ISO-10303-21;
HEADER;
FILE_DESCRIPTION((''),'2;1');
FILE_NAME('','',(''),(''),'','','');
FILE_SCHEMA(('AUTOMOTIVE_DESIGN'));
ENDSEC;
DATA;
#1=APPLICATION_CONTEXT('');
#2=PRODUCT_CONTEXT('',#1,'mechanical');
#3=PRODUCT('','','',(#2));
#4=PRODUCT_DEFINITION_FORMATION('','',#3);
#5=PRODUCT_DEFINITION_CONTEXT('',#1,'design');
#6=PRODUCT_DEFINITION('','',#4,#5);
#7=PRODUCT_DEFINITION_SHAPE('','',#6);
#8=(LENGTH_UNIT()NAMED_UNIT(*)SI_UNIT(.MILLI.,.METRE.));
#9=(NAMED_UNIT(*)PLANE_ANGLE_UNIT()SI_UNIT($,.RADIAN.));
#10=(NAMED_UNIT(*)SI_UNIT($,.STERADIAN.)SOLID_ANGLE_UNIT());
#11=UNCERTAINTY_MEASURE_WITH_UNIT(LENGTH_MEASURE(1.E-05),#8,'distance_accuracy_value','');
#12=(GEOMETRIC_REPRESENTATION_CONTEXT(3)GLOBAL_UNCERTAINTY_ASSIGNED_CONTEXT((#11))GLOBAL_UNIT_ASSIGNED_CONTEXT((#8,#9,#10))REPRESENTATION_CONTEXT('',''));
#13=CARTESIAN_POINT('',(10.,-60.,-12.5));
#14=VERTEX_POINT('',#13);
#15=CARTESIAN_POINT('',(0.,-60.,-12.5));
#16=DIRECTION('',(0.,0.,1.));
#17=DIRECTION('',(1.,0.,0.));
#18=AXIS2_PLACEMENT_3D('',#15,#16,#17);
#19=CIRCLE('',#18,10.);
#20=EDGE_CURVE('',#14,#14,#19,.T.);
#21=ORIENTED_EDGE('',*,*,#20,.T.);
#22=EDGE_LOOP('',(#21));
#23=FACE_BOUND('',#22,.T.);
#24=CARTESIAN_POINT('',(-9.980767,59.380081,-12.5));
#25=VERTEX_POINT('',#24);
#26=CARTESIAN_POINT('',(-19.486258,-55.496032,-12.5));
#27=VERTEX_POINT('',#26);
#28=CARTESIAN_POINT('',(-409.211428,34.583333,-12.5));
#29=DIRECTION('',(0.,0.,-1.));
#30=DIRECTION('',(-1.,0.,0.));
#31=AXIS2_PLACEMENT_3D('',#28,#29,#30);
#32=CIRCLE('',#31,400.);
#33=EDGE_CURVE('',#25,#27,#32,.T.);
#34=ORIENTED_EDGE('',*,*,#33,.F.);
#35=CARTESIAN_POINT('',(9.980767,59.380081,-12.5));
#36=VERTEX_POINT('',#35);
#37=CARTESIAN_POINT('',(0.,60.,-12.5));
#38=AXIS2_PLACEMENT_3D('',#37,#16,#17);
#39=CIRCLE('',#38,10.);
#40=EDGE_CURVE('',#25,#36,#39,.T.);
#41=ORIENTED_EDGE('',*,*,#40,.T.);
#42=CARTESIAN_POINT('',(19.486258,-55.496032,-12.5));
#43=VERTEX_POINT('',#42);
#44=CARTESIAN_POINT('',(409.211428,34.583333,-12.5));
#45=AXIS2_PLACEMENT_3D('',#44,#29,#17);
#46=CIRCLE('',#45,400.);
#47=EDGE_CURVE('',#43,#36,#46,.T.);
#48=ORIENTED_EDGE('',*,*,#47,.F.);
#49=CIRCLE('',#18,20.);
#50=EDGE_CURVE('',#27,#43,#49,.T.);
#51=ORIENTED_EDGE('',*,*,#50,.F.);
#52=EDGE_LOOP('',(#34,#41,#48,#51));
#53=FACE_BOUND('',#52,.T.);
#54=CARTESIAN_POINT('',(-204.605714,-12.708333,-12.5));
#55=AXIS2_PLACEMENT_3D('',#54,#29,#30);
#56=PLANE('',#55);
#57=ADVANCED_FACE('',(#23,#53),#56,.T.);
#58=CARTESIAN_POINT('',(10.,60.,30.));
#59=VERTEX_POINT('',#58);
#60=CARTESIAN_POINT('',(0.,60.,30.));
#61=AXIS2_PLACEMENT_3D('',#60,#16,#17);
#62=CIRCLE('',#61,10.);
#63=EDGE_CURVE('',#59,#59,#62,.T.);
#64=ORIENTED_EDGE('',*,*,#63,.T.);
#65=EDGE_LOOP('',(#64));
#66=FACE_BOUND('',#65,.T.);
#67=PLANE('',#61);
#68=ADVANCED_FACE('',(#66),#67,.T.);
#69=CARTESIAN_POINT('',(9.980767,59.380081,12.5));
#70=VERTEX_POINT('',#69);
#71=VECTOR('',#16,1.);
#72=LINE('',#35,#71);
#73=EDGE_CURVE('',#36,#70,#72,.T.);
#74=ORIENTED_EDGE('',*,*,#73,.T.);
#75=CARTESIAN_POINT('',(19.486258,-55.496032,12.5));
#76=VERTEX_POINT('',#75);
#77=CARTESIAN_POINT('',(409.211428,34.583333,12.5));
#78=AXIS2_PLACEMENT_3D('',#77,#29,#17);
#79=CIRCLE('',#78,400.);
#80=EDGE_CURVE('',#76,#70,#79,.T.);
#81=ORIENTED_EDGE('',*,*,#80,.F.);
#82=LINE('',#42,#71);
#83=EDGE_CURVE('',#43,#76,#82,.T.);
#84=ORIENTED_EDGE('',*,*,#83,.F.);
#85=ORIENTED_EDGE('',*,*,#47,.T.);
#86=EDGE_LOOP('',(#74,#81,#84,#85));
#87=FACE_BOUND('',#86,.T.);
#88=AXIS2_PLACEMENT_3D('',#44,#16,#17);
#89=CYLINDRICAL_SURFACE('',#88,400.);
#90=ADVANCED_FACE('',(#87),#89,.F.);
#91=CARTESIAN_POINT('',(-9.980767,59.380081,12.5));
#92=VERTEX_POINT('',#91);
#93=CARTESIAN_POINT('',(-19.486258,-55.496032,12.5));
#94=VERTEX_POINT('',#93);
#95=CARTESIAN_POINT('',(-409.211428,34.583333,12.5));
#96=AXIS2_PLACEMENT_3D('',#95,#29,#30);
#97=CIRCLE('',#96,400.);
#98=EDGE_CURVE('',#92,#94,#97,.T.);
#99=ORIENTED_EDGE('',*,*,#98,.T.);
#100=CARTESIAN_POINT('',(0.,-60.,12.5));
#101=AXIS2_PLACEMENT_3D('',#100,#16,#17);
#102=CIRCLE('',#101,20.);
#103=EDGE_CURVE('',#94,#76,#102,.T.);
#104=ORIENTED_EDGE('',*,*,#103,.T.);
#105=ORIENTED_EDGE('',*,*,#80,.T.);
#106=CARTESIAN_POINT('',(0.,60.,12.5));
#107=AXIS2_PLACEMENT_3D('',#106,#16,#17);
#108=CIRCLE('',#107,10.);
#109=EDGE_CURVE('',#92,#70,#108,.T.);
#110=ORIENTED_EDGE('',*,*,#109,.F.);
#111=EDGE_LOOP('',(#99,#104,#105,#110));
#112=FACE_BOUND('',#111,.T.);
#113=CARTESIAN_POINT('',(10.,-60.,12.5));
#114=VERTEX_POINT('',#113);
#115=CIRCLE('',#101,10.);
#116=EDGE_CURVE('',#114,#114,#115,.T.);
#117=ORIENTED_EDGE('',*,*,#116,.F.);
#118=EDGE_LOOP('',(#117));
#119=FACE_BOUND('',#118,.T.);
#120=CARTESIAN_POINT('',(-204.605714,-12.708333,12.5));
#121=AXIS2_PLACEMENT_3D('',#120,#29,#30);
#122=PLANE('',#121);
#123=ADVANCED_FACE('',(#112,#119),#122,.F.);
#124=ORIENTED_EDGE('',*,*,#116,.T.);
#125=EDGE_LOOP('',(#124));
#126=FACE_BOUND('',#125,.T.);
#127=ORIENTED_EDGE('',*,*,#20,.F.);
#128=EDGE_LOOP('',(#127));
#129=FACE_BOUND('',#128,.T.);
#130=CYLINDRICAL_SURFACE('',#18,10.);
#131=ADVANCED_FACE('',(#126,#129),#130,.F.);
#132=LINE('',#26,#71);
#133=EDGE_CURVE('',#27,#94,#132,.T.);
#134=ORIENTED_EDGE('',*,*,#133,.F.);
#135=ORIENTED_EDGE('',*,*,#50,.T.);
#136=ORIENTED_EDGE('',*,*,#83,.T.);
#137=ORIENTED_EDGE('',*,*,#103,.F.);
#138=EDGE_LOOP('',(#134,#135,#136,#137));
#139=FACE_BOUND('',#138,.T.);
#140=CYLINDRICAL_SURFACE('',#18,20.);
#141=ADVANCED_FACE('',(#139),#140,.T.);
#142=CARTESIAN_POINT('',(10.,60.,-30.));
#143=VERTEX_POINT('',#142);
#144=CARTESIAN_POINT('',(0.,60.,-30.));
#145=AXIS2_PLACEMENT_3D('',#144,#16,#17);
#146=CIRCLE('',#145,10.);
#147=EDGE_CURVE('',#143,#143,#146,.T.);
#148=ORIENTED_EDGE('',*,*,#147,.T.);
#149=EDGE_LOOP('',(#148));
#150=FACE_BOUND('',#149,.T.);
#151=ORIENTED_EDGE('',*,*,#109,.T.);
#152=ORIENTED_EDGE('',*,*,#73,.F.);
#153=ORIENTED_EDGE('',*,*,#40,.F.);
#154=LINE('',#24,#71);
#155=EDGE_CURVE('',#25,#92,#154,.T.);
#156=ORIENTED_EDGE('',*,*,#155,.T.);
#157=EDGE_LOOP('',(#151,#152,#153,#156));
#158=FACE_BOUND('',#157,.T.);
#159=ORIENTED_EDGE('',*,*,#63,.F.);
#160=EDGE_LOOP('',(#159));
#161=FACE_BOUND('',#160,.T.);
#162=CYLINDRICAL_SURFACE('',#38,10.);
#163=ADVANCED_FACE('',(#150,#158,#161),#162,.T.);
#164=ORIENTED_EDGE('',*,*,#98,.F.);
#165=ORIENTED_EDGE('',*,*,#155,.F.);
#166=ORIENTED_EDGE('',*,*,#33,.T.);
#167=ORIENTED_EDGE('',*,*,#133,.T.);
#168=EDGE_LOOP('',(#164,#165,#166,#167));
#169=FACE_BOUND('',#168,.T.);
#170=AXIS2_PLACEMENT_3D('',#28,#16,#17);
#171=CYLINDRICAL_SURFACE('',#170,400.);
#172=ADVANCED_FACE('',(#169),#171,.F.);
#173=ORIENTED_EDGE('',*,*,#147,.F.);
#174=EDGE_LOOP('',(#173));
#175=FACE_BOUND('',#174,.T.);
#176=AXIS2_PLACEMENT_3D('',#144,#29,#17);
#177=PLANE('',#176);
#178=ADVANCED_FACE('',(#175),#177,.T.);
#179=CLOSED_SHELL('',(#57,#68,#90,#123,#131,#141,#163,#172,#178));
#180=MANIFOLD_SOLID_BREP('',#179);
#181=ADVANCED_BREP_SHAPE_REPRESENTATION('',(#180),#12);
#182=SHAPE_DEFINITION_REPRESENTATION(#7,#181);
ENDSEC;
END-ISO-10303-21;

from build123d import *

# Parameters (mm, degrees)
BOSS_EXTRUDE1_DEPTH      = 12.5
BOSS_EXTRUDE1_DEPTH_BACK = 12.5
SKETCH1_R                = 10
SKETCH2_R                = 10
BOSS_EXTRUDE2_DEPTH      = 17.5


with BuildPart() as part:
    # Sketch1 → Boss-Extrude1 (new, two sides: drawn at the far end of the back side and taken through both)
    with BuildSketch(Plane.XY.offset(-BOSS_EXTRUDE1_DEPTH_BACK)):
        with BuildLine():
            ThreePointArc((9.980766544, 59.380081301), (0, 70), (-9.980766544, 59.380081301))
            ThreePointArc((-9.980766544, 59.380081301), (-10.573802909, 1.597827145), (-19.486258491, -55.496031746))
            ThreePointArc((-19.486258491, -55.496031746), (0, -80), (19.486258491, -55.496031746))
            ThreePointArc((19.486258491, -55.496031746), (10.573802909, 1.597827145), (9.980766544, 59.380081301))
        make_face()
        with Locations((0, -60)):
            Circle(SKETCH1_R, mode=Mode.SUBTRACT)
    extrude(amount=BOSS_EXTRUDE1_DEPTH + BOSS_EXTRUDE1_DEPTH_BACK)

    # Sketch2 → Boss-Extrude2 (add)
    with BuildSketch(Plane.XY.offset(12.5)):
        with Locations((0, 60)):
            Circle(SKETCH2_R)
    boss_extrude2 = extrude(amount=BOSS_EXTRUDE2_DEPTH)

    # Mirror1: Boss-Extrude2 across plane
    add(boss_extrude2.mirror(Plane.XY))


solid = part.part
